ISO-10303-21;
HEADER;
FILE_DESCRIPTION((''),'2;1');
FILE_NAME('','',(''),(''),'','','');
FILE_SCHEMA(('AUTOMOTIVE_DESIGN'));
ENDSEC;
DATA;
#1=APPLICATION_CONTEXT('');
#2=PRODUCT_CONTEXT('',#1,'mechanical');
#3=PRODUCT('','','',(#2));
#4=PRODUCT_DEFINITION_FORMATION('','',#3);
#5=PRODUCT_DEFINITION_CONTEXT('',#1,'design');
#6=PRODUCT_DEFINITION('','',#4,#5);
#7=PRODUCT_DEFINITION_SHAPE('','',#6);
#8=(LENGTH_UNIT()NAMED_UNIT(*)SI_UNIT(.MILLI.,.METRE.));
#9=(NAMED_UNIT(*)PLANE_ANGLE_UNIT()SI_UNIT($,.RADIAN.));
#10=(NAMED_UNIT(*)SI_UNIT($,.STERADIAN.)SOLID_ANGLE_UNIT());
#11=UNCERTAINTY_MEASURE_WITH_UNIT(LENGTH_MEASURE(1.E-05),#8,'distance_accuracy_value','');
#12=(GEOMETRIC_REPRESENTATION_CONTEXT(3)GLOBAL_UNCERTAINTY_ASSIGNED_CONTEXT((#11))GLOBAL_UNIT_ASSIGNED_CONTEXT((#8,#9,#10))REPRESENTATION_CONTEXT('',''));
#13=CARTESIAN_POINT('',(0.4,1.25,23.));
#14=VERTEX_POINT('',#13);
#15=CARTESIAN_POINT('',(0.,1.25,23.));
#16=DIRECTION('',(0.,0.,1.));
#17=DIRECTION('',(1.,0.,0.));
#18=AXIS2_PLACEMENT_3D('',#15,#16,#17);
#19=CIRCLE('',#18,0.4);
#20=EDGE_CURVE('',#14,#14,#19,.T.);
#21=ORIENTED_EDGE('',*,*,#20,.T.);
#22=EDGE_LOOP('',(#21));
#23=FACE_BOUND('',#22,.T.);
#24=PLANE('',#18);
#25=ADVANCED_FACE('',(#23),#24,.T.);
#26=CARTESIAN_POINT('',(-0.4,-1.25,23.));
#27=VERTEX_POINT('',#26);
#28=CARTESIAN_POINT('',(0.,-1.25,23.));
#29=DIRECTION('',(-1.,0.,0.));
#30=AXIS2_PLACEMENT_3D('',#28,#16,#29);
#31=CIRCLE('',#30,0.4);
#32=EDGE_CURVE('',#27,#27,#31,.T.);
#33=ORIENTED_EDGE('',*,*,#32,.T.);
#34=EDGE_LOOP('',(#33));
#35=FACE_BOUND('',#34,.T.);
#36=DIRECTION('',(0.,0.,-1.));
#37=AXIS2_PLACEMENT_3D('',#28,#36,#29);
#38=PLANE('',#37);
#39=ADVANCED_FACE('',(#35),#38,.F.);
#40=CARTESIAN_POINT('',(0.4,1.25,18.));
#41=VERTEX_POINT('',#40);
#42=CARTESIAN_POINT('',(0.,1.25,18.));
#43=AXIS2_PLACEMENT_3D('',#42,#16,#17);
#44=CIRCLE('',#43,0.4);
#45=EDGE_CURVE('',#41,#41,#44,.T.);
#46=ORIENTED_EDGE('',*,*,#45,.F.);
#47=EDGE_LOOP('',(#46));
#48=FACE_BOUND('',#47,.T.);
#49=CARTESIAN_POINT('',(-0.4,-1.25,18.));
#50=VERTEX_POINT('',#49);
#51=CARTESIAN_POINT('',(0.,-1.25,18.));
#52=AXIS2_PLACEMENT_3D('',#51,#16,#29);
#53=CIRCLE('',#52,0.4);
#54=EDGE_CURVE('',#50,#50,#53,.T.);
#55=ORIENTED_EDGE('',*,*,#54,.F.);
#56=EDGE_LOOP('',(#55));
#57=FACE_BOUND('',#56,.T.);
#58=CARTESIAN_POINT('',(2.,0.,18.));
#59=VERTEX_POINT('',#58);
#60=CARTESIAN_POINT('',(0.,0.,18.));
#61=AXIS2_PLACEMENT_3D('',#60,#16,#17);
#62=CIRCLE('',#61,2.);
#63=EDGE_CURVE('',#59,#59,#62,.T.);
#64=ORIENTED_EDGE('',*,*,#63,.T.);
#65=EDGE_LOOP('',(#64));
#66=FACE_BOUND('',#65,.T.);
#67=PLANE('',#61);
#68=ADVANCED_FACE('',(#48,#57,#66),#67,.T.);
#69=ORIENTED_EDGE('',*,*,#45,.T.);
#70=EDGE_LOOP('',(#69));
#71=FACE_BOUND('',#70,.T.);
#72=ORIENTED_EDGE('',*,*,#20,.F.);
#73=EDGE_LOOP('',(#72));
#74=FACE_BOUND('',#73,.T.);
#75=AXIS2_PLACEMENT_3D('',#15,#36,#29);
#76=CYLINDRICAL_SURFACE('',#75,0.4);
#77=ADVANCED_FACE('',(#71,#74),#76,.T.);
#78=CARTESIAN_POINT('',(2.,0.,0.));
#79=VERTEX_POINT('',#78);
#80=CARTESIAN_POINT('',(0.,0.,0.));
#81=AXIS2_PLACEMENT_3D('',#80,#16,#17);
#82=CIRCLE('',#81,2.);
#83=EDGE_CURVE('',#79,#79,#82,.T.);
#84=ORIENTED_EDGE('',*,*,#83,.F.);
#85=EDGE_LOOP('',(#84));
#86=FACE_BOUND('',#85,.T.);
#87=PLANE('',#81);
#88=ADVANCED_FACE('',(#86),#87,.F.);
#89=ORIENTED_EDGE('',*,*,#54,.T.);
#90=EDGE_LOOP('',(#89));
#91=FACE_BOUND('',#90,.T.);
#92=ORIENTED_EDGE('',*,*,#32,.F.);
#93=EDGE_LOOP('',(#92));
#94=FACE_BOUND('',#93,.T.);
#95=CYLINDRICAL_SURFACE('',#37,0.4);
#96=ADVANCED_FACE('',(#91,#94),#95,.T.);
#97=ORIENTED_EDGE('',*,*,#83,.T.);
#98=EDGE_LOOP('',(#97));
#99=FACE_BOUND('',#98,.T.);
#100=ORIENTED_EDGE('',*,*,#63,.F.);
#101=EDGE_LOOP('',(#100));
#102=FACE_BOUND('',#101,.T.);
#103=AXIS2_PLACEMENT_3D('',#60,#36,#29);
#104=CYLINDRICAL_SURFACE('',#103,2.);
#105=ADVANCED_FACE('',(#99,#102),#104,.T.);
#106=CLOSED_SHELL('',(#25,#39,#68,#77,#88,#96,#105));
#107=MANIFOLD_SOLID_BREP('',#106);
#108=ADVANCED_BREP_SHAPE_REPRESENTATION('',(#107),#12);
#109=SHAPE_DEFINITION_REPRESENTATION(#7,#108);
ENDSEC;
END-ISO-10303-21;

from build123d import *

# Parameters (mm, degrees)
SKETCH1_R           = 2
BOSS_EXTRUDE1_DEPTH = 18
SKETCH2_R           = 0.4
BOSS_EXTRUDE2_DEPTH = 5


with BuildPart() as part:
    # Sketch1 → Boss-Extrude1 (new body)
    with BuildSketch(Plane.XY):
        Circle(SKETCH1_R)
    extrude(amount=BOSS_EXTRUDE1_DEPTH)

    # Sketch2 → Boss-Extrude2 (add)
    with BuildSketch(Plane.XY.offset(18)):
        with Locations((0, 1.25)):
            Circle(SKETCH2_R)
        with Locations((0, -1.25)):
            Circle(SKETCH2_R)
    extrude(amount=BOSS_EXTRUDE2_DEPTH)


solid = part.part
